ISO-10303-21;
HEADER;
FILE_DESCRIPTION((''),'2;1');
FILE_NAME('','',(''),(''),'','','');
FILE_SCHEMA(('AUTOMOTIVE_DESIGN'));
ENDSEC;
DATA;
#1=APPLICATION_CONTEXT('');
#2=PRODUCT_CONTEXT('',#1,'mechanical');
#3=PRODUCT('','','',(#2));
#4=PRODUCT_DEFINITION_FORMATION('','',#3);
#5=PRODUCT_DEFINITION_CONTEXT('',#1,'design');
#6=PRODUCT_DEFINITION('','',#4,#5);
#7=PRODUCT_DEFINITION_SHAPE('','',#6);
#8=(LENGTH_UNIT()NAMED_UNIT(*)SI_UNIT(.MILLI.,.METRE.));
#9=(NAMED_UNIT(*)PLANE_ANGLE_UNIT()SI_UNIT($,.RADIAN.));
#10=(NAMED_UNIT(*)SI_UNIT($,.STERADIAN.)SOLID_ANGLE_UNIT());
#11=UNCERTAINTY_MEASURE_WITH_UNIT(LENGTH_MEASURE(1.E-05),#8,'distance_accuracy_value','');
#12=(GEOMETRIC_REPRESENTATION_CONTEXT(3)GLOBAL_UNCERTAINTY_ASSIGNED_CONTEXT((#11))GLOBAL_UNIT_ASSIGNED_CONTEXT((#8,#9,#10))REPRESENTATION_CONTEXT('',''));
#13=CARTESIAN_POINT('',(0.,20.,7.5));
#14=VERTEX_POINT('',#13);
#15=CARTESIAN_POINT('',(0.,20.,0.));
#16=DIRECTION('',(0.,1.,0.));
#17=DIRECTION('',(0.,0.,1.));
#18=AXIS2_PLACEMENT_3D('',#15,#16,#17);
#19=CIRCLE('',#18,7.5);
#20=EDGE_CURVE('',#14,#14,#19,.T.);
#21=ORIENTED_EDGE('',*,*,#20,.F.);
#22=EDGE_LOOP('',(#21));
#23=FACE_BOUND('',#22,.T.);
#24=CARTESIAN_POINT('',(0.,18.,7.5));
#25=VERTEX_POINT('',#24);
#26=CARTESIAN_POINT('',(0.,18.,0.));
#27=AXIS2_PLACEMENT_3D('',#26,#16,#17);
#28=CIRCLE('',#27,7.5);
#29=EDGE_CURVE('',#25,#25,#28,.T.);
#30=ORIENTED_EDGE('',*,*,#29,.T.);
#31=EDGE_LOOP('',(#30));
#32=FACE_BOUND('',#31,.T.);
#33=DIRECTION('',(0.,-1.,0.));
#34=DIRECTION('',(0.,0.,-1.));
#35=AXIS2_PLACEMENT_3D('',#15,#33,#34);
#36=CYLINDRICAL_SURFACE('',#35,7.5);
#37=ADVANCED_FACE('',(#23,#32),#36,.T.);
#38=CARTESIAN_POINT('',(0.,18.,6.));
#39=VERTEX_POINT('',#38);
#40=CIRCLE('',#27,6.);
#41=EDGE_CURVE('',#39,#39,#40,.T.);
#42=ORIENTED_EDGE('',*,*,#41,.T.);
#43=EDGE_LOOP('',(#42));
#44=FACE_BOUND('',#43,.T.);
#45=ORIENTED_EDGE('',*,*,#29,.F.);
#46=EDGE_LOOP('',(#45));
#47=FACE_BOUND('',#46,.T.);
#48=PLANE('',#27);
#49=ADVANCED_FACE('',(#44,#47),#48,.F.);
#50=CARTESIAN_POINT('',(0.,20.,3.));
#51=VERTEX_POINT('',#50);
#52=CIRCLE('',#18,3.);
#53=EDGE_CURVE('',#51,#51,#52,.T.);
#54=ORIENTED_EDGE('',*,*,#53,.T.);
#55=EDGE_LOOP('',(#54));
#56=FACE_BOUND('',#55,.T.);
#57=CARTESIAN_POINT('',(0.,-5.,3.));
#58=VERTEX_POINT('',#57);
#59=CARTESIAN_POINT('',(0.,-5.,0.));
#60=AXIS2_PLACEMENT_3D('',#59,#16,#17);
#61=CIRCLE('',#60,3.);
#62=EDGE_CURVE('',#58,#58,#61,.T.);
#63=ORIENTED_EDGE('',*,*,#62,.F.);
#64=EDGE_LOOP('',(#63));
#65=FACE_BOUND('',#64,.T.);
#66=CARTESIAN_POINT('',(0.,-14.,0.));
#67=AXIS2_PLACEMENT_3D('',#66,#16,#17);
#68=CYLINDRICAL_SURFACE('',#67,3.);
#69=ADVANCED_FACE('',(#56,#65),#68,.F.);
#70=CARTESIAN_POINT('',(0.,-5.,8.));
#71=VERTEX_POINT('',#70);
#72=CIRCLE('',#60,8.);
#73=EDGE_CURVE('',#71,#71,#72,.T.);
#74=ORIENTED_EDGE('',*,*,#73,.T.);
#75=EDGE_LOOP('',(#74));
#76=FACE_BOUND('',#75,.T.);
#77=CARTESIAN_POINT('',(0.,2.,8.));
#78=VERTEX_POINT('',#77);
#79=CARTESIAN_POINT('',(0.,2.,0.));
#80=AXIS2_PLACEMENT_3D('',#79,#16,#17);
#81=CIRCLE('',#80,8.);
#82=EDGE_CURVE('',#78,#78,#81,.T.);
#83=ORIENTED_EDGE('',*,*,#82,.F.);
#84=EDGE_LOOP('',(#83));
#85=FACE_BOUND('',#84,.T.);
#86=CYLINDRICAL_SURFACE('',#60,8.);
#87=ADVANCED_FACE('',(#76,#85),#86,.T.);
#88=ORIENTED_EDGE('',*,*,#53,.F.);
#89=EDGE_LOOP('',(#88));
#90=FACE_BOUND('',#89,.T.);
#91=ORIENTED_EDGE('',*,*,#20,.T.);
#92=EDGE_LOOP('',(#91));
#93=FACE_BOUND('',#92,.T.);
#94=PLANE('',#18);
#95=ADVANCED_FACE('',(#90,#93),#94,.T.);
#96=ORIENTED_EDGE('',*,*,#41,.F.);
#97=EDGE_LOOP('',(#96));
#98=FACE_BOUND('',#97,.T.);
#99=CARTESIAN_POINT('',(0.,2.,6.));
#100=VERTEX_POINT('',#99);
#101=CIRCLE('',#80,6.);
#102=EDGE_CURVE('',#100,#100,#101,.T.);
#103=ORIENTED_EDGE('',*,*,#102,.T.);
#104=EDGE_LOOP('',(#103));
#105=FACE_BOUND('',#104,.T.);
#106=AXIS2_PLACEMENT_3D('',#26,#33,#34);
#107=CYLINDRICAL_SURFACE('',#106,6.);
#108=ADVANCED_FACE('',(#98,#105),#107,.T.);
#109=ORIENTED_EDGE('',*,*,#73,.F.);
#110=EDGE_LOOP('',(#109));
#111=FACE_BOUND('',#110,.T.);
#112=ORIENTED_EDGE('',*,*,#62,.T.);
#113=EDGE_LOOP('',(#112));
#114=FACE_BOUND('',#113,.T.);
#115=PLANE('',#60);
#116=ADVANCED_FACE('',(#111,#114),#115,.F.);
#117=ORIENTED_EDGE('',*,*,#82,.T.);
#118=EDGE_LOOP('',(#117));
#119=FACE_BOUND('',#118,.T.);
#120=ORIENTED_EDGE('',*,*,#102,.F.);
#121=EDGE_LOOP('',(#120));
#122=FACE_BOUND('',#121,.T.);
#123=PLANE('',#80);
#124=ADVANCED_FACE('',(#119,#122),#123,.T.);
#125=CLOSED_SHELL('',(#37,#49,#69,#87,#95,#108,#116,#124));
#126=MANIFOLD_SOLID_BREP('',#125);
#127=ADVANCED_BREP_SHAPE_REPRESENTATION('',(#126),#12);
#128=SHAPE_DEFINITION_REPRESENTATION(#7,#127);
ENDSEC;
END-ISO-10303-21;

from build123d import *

# Parameters (mm, degrees)
EXTRUDE_1_DEPTH      = 2
EXTRUDE_1_DEPTH_BACK = 5
SKETCH_1_R           = 8
SKETCH_2_R           = 6
EXTRUDE_2_DEPTH      = 16
SKETCH_3_R           = 7.5
EXTRUDE_3_DEPTH      = 2
SKETCH_4_R           = 3
CUT_EXTRUDE_1_DEPTH  = 34


with BuildPart() as part:
    # 草图1 → 凸台-拉伸1 (new, two sides: drawn at the far end of the back side and taken through both)
    with BuildSketch(Plane(origin=(0, 0, 0), x_dir=(1, 0, 0), z_dir=(0, 1, 0)).offset(-EXTRUDE_1_DEPTH_BACK)):
        with Locations(Location((0, 0, 0), (0, 0, 270))):
            Circle(SKETCH_1_R)
    extrude(amount=EXTRUDE_1_DEPTH + EXTRUDE_1_DEPTH_BACK)

    # 草图2 → 凸台-拉伸2 (add)
    with BuildSketch(Plane(origin=(0, 2, 0), x_dir=(1, 0, 0), z_dir=(0, 1, 0))):
        with Locations(Location((0, 0, 0), (0, 0, 270))):
            Circle(SKETCH_2_R)
    extrude(amount=EXTRUDE_2_DEPTH)

    # 草图3 → 凸台-拉伸3 (add)
    with BuildSketch(Plane(origin=(0, 18, 0), x_dir=(1, 0, 0), z_dir=(0, 1, 0))):
        with Locations(Location((0, 0, 0), (0, 0, 270))):
            Circle(SKETCH_3_R)
    extrude(amount=EXTRUDE_3_DEPTH)

    # 草图4 → 切除-拉伸1 (cut)
    with BuildSketch(Plane(origin=(0, 20, 0), x_dir=(1, 0, 0), z_dir=(0, 1, 0))):
        with Locations(Location((0, 0, 0), (0, 0, 270))):
            Circle(SKETCH_4_R)
    extrude(amount=-CUT_EXTRUDE_1_DEPTH, mode=Mode.SUBTRACT)


solid = part.part
